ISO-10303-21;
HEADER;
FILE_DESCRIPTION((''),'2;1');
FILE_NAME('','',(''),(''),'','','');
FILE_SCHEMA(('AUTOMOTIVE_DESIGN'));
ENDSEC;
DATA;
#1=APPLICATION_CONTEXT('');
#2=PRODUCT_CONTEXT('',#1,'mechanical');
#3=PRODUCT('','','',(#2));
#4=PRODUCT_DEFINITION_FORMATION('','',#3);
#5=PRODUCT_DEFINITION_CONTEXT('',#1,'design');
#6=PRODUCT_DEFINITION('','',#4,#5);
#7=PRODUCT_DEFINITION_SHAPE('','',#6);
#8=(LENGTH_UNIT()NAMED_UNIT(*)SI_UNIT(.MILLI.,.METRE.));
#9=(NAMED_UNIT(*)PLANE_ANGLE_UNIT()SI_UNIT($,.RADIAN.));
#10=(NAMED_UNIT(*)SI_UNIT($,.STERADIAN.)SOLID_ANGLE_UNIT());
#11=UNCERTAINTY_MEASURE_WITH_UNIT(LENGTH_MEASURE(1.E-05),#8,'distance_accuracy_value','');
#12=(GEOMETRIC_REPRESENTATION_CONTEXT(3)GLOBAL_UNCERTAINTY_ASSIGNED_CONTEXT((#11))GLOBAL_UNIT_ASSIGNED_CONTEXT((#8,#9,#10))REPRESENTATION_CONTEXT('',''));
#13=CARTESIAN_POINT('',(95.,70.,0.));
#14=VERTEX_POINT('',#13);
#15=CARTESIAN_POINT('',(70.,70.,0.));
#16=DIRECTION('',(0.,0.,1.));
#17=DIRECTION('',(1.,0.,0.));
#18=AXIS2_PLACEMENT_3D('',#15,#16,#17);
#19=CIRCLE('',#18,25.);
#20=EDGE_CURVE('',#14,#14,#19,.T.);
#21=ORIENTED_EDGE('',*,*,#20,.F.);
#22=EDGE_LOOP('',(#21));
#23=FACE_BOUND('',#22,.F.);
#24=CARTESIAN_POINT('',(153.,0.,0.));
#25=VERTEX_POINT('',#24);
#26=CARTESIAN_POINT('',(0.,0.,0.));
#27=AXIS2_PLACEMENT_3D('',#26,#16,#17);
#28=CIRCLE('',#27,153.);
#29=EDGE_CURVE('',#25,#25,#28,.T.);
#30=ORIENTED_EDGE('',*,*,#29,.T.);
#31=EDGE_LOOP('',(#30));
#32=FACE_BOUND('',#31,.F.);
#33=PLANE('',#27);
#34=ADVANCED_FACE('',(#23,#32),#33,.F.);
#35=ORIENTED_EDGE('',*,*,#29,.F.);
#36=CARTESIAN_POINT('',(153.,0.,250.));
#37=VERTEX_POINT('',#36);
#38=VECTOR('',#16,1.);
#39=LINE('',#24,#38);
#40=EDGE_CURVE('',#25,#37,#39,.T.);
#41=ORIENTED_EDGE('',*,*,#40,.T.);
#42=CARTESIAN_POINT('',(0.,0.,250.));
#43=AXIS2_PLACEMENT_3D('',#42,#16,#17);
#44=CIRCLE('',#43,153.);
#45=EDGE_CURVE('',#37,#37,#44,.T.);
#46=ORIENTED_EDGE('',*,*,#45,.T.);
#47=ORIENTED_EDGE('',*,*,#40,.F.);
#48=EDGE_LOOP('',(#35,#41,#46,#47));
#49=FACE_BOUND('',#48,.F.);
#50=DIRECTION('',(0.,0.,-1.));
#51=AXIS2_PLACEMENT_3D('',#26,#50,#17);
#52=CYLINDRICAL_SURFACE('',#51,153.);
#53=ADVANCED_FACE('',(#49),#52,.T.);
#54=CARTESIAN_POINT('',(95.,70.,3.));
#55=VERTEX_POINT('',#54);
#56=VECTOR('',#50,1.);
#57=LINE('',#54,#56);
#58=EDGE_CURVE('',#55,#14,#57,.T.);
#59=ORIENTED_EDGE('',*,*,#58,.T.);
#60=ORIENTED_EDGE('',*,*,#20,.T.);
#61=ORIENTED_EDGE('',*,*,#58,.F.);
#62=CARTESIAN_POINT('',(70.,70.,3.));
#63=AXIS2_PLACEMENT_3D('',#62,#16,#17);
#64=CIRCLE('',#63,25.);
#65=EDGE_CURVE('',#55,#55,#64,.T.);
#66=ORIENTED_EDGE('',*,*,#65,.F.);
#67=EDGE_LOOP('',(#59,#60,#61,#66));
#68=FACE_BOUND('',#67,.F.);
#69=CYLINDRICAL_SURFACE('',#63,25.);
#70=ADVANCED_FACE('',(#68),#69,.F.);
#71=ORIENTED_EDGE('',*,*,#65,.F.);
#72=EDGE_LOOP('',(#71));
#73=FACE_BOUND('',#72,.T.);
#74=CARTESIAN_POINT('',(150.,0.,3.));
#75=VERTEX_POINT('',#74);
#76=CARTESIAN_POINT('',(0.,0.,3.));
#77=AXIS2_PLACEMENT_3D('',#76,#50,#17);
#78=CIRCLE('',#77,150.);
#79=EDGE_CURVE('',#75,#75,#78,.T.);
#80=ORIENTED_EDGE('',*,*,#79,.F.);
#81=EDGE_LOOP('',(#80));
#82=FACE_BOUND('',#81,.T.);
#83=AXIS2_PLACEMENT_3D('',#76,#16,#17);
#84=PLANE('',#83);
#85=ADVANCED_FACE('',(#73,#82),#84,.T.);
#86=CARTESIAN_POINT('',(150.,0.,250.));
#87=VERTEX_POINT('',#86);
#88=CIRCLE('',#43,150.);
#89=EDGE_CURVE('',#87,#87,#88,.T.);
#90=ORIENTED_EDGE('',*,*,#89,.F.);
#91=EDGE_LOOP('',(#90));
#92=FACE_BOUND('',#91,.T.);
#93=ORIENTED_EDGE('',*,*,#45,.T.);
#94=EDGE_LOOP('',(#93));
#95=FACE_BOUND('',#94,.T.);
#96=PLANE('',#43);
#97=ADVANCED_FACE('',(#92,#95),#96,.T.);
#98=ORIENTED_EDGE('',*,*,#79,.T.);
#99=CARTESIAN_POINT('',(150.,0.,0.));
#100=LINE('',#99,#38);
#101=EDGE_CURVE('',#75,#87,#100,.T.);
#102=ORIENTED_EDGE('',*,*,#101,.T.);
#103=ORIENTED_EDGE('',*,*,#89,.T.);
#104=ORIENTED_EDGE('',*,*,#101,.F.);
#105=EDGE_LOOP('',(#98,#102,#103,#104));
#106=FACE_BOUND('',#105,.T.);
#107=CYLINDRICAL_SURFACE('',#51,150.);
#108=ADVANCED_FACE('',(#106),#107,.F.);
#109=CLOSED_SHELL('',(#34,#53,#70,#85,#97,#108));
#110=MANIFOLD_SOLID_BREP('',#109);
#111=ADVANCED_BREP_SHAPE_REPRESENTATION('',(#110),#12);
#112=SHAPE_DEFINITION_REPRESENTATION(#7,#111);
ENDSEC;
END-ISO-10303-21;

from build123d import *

# Parameters (mm, degrees)
F0_R     = 153
F1_DEPTH = 250
F2_T     = -3
F3_R     = 25
F4_DEPTH = 25


with BuildPart() as f1:
    # F0 (on Top) → F1 (new body)
    with BuildSketch(Plane.XY):
        Circle(F0_R)
    extrude(amount=F1_DEPTH)

    # F2
    f2_openings = [f1.faces().sort_by_distance(p)[0] for p in [
        (0, 0, 250),
    ]]
    offset(amount=F2_T, openings=f2_openings)

    # F3 (on face) → F4 (cut)
    with BuildSketch(Plane.XY.offset(3)):
        with Locations((70, 70)):
            Circle(F3_R)
    extrude(amount=-F4_DEPTH, mode=Mode.SUBTRACT)


solid = f1.part
